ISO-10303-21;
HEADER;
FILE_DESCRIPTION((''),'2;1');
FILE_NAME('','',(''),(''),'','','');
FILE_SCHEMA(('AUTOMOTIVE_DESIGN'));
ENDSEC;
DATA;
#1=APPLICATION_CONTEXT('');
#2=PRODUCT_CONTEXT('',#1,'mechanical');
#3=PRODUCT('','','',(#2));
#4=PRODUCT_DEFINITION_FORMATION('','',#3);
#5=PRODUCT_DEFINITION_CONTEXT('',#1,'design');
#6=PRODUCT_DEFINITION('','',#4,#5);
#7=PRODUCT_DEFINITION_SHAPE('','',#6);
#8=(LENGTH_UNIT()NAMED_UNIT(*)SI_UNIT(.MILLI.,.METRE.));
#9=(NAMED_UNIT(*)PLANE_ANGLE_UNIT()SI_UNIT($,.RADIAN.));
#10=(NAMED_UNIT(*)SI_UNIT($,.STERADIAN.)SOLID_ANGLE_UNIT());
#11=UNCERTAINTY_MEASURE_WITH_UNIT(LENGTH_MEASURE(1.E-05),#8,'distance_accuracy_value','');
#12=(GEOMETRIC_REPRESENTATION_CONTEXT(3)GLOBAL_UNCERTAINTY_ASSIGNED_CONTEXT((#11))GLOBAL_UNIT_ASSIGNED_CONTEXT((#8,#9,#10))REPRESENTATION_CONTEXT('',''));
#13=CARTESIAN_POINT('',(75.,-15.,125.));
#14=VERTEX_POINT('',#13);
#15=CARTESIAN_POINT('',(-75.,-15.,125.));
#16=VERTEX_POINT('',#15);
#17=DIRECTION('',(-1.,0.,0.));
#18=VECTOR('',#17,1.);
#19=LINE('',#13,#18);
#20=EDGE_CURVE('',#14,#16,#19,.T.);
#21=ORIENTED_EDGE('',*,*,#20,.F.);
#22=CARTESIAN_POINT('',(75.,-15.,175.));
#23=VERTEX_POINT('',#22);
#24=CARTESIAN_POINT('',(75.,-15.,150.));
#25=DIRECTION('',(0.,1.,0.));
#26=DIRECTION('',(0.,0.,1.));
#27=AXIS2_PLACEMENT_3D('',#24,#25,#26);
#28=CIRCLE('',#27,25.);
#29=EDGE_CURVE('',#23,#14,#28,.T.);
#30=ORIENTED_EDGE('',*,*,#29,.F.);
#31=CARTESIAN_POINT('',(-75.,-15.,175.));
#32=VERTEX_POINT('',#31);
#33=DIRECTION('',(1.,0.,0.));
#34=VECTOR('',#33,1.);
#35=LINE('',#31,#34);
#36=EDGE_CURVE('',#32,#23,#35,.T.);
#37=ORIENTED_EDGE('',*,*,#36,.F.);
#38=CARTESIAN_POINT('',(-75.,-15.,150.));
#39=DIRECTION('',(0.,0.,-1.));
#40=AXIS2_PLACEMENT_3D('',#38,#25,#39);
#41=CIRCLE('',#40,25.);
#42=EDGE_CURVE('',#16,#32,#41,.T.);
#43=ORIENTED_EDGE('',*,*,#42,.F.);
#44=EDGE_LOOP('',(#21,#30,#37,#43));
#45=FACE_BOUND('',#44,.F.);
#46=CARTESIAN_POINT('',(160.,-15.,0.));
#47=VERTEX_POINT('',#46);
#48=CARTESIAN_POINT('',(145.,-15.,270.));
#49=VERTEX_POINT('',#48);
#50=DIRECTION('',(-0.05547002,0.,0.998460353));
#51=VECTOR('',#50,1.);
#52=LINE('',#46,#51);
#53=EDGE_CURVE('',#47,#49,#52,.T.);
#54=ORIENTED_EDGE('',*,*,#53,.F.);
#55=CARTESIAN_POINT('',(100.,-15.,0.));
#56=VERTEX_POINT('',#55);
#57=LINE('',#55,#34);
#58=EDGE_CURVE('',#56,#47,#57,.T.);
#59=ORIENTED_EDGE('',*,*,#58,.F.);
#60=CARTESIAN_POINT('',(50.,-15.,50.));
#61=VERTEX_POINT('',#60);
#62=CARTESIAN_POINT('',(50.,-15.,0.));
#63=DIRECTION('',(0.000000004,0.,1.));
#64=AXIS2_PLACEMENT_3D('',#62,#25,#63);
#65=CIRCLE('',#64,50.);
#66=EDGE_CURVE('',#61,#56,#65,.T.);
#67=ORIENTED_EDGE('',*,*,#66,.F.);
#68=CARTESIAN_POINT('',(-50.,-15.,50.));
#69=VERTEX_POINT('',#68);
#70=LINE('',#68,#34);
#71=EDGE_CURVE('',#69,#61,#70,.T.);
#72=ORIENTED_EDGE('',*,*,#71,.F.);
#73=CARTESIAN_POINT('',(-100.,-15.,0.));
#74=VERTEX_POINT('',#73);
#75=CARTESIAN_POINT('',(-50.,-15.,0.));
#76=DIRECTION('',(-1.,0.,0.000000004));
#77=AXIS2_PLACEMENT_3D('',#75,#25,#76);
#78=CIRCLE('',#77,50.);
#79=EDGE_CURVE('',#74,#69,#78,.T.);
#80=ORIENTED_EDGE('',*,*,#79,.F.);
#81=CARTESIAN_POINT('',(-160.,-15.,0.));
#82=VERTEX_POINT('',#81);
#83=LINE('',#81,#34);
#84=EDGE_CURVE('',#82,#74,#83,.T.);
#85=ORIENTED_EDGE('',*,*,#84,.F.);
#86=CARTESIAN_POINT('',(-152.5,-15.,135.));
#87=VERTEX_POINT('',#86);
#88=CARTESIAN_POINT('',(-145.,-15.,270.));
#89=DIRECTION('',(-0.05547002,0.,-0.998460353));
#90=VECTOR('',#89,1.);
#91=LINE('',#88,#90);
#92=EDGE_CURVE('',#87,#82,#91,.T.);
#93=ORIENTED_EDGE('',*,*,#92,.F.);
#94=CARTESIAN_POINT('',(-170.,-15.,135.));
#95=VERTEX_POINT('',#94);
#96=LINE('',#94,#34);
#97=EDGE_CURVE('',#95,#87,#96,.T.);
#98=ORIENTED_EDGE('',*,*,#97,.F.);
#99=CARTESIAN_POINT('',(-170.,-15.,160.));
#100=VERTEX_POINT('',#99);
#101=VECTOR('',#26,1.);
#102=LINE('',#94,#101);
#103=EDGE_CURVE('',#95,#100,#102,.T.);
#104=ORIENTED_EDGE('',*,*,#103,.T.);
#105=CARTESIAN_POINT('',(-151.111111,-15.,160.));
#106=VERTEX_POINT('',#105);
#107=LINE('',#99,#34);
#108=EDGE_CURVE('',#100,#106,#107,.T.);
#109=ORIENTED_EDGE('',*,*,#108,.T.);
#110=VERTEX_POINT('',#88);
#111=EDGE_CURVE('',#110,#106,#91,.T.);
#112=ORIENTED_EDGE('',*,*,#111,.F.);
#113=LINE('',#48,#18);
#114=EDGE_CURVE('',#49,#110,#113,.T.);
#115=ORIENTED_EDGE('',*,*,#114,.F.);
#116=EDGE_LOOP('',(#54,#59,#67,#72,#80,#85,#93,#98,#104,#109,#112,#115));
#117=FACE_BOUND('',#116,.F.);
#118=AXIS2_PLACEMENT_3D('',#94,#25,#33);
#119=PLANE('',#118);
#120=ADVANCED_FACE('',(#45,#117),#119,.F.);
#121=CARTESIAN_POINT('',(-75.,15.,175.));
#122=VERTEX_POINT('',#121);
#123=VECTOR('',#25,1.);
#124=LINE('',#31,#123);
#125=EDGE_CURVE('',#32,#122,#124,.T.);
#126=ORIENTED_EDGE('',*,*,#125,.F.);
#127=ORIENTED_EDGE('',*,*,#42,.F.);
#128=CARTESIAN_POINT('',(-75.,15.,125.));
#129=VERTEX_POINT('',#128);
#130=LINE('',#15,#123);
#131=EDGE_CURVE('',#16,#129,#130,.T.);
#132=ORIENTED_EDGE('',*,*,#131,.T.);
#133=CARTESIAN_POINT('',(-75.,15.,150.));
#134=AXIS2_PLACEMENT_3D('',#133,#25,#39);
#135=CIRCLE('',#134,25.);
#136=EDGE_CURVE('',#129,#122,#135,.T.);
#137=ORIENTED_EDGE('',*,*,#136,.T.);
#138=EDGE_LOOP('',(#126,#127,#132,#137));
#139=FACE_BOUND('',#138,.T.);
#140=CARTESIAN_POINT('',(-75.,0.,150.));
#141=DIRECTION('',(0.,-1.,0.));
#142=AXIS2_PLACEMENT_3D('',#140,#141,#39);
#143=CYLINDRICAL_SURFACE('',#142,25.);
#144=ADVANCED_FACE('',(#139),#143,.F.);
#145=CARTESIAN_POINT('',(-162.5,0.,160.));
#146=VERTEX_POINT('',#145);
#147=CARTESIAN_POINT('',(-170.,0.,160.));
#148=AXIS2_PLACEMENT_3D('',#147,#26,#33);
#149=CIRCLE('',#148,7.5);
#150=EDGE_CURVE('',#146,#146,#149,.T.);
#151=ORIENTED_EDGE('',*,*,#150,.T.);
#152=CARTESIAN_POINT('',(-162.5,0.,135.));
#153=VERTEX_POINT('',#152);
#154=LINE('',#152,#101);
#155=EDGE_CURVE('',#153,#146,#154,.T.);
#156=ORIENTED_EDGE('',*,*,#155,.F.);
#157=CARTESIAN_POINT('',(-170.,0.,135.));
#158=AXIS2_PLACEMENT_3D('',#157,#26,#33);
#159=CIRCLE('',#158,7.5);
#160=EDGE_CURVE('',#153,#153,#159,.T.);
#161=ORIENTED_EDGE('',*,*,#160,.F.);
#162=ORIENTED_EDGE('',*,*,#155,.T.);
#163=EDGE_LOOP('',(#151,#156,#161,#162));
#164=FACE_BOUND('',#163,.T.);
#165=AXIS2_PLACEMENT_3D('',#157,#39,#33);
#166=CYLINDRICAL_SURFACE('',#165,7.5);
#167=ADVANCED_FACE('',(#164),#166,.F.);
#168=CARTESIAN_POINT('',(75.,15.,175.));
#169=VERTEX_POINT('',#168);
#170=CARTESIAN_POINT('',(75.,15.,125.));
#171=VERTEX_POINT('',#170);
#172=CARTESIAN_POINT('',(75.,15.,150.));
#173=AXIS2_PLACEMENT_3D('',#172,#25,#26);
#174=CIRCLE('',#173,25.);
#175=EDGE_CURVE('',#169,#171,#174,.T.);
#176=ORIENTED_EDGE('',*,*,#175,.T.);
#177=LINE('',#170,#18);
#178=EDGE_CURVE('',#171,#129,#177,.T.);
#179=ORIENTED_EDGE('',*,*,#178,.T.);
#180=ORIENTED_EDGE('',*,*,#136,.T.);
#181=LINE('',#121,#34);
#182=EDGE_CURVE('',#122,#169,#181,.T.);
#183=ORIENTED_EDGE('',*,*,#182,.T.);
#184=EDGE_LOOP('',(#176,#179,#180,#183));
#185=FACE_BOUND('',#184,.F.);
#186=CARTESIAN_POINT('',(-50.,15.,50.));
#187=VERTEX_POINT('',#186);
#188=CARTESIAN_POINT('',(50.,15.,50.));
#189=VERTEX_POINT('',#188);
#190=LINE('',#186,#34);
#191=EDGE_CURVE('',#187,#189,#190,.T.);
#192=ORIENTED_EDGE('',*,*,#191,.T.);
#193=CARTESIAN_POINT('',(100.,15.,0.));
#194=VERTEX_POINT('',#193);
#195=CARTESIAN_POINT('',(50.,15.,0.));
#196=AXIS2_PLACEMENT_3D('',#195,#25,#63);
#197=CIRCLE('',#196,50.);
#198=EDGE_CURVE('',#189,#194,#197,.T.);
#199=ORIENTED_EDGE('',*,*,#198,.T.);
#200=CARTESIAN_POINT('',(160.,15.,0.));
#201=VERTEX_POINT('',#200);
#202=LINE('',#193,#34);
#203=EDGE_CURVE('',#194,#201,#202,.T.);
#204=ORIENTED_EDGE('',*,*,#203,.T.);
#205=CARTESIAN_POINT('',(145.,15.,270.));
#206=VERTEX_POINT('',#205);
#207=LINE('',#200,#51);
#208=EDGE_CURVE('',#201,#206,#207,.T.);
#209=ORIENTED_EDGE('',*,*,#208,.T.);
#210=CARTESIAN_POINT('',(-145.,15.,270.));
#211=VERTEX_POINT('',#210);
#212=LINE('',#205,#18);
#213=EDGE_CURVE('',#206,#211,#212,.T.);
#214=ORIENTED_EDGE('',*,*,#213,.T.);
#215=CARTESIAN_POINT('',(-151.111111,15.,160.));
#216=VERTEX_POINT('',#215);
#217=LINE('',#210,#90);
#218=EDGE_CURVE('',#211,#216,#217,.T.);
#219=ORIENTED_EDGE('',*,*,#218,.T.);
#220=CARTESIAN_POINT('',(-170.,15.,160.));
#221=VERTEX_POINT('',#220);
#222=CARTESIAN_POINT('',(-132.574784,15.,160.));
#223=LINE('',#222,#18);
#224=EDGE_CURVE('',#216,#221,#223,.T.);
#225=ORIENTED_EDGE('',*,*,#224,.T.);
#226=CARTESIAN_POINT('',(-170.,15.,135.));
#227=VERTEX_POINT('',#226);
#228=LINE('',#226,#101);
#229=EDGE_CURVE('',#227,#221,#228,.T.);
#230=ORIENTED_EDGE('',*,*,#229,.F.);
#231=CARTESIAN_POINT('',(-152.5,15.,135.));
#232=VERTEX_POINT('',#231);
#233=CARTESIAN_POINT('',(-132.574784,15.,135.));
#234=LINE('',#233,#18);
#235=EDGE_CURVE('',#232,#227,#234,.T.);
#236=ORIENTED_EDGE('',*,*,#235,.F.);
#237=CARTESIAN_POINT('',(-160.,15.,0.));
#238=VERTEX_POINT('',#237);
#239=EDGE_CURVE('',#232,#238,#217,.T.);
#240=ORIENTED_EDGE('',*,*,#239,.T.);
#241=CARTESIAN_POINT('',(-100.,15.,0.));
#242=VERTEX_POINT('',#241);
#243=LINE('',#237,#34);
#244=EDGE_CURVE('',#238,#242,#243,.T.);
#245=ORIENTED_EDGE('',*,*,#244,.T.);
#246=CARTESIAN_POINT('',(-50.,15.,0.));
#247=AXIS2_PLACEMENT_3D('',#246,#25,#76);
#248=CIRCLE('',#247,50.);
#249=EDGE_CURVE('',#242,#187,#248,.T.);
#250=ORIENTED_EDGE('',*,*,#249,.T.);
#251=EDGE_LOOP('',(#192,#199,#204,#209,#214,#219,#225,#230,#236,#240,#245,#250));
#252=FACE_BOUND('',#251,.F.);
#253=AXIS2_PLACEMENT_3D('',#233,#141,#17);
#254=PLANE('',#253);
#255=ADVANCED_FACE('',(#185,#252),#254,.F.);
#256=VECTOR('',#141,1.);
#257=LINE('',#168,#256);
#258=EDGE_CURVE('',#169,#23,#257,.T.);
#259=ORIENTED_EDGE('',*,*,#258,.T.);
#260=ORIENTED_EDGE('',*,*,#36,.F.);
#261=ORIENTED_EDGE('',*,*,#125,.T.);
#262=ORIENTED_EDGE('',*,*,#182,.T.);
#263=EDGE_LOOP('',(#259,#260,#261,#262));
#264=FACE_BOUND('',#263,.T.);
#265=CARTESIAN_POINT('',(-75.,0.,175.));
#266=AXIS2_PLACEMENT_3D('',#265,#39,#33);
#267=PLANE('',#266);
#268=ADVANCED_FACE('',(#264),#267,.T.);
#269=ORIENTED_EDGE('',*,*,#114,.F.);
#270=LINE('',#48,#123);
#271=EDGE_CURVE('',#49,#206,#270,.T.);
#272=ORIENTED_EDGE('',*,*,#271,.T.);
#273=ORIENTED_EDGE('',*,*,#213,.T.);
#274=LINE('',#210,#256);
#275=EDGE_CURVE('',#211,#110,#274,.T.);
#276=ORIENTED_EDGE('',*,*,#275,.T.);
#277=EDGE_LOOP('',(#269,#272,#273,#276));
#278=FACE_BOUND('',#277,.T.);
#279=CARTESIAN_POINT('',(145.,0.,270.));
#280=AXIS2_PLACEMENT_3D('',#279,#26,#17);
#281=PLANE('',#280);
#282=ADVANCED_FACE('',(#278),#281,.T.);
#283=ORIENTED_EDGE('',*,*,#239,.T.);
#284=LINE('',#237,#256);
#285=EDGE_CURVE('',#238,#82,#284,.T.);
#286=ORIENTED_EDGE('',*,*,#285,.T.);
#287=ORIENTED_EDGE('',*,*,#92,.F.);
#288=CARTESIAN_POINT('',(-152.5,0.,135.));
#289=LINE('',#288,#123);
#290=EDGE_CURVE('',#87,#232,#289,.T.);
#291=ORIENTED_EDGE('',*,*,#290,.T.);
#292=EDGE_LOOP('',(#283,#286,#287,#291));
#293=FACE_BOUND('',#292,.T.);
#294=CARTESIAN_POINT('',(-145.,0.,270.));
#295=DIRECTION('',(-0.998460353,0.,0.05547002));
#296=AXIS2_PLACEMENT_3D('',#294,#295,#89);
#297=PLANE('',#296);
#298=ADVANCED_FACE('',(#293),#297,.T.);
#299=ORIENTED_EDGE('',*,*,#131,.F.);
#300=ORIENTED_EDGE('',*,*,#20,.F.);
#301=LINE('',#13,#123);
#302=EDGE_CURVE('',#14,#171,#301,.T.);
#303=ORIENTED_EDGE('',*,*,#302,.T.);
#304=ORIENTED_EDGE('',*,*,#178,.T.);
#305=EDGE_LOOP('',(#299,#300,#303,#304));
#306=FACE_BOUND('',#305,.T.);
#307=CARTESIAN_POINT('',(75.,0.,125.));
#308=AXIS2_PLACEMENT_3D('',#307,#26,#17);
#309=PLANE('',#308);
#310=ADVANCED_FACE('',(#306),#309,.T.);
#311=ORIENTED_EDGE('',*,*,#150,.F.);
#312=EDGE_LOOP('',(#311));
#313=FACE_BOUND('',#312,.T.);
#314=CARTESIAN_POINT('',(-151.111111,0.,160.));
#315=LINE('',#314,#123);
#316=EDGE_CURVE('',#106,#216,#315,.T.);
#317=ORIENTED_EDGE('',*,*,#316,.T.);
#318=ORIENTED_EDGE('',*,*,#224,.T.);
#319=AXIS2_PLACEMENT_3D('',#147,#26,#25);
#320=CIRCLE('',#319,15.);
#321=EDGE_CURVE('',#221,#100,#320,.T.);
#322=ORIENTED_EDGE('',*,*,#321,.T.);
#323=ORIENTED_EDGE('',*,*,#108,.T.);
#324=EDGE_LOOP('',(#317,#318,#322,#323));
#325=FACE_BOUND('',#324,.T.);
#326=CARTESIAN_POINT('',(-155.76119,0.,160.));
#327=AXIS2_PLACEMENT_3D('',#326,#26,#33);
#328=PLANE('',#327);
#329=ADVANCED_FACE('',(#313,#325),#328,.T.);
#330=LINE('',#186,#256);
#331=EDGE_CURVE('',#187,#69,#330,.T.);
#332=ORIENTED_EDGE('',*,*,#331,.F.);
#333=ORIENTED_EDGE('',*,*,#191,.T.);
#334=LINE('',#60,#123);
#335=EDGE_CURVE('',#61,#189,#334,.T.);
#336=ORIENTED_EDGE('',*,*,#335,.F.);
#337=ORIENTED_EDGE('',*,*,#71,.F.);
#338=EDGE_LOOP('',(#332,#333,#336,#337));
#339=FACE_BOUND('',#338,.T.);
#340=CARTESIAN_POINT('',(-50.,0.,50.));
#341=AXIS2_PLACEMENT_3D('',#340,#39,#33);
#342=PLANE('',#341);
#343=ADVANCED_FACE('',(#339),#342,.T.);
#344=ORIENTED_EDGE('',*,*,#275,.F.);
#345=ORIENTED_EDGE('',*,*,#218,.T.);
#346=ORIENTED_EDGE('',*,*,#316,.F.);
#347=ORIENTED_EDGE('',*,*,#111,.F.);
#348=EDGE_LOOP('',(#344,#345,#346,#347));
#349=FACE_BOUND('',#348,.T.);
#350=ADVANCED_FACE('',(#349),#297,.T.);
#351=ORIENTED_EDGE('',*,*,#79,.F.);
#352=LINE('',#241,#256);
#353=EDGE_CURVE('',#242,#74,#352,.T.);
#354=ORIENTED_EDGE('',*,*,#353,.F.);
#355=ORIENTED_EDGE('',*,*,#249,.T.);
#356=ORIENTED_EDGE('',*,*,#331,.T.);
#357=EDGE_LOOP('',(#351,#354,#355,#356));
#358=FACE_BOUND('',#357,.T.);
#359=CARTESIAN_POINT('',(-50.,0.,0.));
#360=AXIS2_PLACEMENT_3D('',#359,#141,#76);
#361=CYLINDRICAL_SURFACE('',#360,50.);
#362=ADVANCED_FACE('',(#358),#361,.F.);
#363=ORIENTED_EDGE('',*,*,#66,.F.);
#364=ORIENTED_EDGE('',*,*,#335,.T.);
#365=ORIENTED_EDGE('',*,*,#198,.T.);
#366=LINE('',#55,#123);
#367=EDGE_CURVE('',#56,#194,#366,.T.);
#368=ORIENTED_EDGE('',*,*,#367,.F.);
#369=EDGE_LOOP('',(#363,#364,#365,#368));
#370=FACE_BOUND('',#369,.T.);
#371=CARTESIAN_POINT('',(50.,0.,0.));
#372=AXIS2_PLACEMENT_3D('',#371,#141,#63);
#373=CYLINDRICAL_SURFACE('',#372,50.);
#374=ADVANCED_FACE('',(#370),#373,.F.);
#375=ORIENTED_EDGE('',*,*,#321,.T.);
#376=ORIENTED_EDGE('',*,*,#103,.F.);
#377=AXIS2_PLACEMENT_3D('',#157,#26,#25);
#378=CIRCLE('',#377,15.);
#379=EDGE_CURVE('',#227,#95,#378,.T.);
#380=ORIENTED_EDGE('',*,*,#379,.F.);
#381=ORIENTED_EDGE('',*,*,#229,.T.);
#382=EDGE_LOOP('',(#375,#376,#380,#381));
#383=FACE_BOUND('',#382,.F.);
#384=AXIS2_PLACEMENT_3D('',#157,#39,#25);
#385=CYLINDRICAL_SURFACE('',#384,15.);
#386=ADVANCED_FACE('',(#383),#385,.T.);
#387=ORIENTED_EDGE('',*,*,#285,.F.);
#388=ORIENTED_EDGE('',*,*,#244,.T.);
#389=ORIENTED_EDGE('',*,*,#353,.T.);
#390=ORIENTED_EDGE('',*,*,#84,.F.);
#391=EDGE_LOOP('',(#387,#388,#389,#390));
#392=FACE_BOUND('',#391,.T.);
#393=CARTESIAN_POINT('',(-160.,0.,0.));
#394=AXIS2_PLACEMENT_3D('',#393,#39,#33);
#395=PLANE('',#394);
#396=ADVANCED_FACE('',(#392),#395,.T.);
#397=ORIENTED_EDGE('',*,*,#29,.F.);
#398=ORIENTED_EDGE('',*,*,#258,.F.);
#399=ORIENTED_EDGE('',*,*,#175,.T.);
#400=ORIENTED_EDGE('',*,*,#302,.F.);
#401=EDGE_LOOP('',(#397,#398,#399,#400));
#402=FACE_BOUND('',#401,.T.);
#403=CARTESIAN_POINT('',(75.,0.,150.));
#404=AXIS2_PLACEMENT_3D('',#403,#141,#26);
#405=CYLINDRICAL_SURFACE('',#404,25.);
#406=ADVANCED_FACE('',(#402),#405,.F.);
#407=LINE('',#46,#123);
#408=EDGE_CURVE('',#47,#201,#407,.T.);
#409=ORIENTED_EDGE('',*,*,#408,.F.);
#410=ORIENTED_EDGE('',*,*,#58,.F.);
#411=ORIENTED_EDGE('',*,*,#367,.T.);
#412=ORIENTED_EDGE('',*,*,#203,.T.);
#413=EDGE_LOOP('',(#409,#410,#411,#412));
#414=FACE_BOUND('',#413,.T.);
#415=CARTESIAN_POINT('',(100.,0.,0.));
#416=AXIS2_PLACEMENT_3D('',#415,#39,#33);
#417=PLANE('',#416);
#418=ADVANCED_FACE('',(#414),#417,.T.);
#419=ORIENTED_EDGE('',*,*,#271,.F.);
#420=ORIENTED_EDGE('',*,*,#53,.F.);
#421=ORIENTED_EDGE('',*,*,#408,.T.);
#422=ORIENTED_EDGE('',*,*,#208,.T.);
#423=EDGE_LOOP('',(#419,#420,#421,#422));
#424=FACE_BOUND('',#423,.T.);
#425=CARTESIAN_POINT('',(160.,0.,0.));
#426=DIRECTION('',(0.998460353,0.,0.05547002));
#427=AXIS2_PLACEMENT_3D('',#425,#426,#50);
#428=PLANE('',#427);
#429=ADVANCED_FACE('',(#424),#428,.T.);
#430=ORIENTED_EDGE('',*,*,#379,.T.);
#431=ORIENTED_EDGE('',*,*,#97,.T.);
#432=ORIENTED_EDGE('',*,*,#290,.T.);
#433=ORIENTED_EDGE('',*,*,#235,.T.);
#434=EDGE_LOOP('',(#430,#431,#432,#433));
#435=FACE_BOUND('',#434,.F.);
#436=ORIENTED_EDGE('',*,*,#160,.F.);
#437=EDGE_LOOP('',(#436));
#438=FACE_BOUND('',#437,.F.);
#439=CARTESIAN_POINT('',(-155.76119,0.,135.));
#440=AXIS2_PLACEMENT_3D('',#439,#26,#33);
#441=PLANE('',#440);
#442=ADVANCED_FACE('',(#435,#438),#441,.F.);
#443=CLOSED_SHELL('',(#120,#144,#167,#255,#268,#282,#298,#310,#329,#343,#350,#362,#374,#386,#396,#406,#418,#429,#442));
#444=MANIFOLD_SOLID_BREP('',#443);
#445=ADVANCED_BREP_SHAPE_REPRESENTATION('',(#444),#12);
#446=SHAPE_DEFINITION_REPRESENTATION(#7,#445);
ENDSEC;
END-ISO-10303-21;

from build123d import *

# Parameters (mm, degrees)
F1_DEPTH = 15
F3_R     = 7.5
F4_DEPTH = 25


with BuildPart() as f1:
    # F0 (on Front) → F1 (new body, symmetric)
    with BuildSketch(Plane.XZ):
        with BuildLine():
            Line((145, 270), (0, 270))
            Line((0, 270), (-145, 270))
            Line((-145, 270), (-160, 0))
            Line((-160, 0), (-100, 0))
            ThreePointArc((-100, 0), (-85.355339, 35.355339), (-50, 50))
            Line((-50, 50), (0, 50))
            Line((0, 50), (50, 50))
            ThreePointArc((50, 50), (85.355339, 35.355339), (100, 0))
            Line((100, 0), (160, 0))
            Line((160, 0), (145, 270))
        make_face()
        with BuildLine():
            ThreePointArc((75, 175), (100, 150), (75, 125))
            Line((75, 125), (0, 125))
            Line((0, 125), (-75, 125))
            ThreePointArc((-75, 125), (-100, 150), (-75, 175))
            Line((-75, 175), (0, 175))
            Line((0, 175), (75, 175))
        make_face(mode=Mode.SUBTRACT)
    extrude(amount=F1_DEPTH, both=True)

    # F3 (on offset) → F4 (join)
    with BuildSketch(Plane.XY.offset(135)):
        with BuildLine():
            Line((-152.5, 15), (-170, 15))
            ThreePointArc((-170, 15), (-185, 0), (-170, -15))
            Line((-170, -15), (-152.5, -15))
            Line((-152.5, -15), (-132.574784, -15))
            Line((-132.574784, -15), (-132.574784, 15))
            Line((-132.574784, 15), (-152.5, 15))
        make_face()
        with Locations((-170, 0)):
            Circle(F3_R, mode=Mode.SUBTRACT)
    extrude(amount=F4_DEPTH)


solid = f1.part
